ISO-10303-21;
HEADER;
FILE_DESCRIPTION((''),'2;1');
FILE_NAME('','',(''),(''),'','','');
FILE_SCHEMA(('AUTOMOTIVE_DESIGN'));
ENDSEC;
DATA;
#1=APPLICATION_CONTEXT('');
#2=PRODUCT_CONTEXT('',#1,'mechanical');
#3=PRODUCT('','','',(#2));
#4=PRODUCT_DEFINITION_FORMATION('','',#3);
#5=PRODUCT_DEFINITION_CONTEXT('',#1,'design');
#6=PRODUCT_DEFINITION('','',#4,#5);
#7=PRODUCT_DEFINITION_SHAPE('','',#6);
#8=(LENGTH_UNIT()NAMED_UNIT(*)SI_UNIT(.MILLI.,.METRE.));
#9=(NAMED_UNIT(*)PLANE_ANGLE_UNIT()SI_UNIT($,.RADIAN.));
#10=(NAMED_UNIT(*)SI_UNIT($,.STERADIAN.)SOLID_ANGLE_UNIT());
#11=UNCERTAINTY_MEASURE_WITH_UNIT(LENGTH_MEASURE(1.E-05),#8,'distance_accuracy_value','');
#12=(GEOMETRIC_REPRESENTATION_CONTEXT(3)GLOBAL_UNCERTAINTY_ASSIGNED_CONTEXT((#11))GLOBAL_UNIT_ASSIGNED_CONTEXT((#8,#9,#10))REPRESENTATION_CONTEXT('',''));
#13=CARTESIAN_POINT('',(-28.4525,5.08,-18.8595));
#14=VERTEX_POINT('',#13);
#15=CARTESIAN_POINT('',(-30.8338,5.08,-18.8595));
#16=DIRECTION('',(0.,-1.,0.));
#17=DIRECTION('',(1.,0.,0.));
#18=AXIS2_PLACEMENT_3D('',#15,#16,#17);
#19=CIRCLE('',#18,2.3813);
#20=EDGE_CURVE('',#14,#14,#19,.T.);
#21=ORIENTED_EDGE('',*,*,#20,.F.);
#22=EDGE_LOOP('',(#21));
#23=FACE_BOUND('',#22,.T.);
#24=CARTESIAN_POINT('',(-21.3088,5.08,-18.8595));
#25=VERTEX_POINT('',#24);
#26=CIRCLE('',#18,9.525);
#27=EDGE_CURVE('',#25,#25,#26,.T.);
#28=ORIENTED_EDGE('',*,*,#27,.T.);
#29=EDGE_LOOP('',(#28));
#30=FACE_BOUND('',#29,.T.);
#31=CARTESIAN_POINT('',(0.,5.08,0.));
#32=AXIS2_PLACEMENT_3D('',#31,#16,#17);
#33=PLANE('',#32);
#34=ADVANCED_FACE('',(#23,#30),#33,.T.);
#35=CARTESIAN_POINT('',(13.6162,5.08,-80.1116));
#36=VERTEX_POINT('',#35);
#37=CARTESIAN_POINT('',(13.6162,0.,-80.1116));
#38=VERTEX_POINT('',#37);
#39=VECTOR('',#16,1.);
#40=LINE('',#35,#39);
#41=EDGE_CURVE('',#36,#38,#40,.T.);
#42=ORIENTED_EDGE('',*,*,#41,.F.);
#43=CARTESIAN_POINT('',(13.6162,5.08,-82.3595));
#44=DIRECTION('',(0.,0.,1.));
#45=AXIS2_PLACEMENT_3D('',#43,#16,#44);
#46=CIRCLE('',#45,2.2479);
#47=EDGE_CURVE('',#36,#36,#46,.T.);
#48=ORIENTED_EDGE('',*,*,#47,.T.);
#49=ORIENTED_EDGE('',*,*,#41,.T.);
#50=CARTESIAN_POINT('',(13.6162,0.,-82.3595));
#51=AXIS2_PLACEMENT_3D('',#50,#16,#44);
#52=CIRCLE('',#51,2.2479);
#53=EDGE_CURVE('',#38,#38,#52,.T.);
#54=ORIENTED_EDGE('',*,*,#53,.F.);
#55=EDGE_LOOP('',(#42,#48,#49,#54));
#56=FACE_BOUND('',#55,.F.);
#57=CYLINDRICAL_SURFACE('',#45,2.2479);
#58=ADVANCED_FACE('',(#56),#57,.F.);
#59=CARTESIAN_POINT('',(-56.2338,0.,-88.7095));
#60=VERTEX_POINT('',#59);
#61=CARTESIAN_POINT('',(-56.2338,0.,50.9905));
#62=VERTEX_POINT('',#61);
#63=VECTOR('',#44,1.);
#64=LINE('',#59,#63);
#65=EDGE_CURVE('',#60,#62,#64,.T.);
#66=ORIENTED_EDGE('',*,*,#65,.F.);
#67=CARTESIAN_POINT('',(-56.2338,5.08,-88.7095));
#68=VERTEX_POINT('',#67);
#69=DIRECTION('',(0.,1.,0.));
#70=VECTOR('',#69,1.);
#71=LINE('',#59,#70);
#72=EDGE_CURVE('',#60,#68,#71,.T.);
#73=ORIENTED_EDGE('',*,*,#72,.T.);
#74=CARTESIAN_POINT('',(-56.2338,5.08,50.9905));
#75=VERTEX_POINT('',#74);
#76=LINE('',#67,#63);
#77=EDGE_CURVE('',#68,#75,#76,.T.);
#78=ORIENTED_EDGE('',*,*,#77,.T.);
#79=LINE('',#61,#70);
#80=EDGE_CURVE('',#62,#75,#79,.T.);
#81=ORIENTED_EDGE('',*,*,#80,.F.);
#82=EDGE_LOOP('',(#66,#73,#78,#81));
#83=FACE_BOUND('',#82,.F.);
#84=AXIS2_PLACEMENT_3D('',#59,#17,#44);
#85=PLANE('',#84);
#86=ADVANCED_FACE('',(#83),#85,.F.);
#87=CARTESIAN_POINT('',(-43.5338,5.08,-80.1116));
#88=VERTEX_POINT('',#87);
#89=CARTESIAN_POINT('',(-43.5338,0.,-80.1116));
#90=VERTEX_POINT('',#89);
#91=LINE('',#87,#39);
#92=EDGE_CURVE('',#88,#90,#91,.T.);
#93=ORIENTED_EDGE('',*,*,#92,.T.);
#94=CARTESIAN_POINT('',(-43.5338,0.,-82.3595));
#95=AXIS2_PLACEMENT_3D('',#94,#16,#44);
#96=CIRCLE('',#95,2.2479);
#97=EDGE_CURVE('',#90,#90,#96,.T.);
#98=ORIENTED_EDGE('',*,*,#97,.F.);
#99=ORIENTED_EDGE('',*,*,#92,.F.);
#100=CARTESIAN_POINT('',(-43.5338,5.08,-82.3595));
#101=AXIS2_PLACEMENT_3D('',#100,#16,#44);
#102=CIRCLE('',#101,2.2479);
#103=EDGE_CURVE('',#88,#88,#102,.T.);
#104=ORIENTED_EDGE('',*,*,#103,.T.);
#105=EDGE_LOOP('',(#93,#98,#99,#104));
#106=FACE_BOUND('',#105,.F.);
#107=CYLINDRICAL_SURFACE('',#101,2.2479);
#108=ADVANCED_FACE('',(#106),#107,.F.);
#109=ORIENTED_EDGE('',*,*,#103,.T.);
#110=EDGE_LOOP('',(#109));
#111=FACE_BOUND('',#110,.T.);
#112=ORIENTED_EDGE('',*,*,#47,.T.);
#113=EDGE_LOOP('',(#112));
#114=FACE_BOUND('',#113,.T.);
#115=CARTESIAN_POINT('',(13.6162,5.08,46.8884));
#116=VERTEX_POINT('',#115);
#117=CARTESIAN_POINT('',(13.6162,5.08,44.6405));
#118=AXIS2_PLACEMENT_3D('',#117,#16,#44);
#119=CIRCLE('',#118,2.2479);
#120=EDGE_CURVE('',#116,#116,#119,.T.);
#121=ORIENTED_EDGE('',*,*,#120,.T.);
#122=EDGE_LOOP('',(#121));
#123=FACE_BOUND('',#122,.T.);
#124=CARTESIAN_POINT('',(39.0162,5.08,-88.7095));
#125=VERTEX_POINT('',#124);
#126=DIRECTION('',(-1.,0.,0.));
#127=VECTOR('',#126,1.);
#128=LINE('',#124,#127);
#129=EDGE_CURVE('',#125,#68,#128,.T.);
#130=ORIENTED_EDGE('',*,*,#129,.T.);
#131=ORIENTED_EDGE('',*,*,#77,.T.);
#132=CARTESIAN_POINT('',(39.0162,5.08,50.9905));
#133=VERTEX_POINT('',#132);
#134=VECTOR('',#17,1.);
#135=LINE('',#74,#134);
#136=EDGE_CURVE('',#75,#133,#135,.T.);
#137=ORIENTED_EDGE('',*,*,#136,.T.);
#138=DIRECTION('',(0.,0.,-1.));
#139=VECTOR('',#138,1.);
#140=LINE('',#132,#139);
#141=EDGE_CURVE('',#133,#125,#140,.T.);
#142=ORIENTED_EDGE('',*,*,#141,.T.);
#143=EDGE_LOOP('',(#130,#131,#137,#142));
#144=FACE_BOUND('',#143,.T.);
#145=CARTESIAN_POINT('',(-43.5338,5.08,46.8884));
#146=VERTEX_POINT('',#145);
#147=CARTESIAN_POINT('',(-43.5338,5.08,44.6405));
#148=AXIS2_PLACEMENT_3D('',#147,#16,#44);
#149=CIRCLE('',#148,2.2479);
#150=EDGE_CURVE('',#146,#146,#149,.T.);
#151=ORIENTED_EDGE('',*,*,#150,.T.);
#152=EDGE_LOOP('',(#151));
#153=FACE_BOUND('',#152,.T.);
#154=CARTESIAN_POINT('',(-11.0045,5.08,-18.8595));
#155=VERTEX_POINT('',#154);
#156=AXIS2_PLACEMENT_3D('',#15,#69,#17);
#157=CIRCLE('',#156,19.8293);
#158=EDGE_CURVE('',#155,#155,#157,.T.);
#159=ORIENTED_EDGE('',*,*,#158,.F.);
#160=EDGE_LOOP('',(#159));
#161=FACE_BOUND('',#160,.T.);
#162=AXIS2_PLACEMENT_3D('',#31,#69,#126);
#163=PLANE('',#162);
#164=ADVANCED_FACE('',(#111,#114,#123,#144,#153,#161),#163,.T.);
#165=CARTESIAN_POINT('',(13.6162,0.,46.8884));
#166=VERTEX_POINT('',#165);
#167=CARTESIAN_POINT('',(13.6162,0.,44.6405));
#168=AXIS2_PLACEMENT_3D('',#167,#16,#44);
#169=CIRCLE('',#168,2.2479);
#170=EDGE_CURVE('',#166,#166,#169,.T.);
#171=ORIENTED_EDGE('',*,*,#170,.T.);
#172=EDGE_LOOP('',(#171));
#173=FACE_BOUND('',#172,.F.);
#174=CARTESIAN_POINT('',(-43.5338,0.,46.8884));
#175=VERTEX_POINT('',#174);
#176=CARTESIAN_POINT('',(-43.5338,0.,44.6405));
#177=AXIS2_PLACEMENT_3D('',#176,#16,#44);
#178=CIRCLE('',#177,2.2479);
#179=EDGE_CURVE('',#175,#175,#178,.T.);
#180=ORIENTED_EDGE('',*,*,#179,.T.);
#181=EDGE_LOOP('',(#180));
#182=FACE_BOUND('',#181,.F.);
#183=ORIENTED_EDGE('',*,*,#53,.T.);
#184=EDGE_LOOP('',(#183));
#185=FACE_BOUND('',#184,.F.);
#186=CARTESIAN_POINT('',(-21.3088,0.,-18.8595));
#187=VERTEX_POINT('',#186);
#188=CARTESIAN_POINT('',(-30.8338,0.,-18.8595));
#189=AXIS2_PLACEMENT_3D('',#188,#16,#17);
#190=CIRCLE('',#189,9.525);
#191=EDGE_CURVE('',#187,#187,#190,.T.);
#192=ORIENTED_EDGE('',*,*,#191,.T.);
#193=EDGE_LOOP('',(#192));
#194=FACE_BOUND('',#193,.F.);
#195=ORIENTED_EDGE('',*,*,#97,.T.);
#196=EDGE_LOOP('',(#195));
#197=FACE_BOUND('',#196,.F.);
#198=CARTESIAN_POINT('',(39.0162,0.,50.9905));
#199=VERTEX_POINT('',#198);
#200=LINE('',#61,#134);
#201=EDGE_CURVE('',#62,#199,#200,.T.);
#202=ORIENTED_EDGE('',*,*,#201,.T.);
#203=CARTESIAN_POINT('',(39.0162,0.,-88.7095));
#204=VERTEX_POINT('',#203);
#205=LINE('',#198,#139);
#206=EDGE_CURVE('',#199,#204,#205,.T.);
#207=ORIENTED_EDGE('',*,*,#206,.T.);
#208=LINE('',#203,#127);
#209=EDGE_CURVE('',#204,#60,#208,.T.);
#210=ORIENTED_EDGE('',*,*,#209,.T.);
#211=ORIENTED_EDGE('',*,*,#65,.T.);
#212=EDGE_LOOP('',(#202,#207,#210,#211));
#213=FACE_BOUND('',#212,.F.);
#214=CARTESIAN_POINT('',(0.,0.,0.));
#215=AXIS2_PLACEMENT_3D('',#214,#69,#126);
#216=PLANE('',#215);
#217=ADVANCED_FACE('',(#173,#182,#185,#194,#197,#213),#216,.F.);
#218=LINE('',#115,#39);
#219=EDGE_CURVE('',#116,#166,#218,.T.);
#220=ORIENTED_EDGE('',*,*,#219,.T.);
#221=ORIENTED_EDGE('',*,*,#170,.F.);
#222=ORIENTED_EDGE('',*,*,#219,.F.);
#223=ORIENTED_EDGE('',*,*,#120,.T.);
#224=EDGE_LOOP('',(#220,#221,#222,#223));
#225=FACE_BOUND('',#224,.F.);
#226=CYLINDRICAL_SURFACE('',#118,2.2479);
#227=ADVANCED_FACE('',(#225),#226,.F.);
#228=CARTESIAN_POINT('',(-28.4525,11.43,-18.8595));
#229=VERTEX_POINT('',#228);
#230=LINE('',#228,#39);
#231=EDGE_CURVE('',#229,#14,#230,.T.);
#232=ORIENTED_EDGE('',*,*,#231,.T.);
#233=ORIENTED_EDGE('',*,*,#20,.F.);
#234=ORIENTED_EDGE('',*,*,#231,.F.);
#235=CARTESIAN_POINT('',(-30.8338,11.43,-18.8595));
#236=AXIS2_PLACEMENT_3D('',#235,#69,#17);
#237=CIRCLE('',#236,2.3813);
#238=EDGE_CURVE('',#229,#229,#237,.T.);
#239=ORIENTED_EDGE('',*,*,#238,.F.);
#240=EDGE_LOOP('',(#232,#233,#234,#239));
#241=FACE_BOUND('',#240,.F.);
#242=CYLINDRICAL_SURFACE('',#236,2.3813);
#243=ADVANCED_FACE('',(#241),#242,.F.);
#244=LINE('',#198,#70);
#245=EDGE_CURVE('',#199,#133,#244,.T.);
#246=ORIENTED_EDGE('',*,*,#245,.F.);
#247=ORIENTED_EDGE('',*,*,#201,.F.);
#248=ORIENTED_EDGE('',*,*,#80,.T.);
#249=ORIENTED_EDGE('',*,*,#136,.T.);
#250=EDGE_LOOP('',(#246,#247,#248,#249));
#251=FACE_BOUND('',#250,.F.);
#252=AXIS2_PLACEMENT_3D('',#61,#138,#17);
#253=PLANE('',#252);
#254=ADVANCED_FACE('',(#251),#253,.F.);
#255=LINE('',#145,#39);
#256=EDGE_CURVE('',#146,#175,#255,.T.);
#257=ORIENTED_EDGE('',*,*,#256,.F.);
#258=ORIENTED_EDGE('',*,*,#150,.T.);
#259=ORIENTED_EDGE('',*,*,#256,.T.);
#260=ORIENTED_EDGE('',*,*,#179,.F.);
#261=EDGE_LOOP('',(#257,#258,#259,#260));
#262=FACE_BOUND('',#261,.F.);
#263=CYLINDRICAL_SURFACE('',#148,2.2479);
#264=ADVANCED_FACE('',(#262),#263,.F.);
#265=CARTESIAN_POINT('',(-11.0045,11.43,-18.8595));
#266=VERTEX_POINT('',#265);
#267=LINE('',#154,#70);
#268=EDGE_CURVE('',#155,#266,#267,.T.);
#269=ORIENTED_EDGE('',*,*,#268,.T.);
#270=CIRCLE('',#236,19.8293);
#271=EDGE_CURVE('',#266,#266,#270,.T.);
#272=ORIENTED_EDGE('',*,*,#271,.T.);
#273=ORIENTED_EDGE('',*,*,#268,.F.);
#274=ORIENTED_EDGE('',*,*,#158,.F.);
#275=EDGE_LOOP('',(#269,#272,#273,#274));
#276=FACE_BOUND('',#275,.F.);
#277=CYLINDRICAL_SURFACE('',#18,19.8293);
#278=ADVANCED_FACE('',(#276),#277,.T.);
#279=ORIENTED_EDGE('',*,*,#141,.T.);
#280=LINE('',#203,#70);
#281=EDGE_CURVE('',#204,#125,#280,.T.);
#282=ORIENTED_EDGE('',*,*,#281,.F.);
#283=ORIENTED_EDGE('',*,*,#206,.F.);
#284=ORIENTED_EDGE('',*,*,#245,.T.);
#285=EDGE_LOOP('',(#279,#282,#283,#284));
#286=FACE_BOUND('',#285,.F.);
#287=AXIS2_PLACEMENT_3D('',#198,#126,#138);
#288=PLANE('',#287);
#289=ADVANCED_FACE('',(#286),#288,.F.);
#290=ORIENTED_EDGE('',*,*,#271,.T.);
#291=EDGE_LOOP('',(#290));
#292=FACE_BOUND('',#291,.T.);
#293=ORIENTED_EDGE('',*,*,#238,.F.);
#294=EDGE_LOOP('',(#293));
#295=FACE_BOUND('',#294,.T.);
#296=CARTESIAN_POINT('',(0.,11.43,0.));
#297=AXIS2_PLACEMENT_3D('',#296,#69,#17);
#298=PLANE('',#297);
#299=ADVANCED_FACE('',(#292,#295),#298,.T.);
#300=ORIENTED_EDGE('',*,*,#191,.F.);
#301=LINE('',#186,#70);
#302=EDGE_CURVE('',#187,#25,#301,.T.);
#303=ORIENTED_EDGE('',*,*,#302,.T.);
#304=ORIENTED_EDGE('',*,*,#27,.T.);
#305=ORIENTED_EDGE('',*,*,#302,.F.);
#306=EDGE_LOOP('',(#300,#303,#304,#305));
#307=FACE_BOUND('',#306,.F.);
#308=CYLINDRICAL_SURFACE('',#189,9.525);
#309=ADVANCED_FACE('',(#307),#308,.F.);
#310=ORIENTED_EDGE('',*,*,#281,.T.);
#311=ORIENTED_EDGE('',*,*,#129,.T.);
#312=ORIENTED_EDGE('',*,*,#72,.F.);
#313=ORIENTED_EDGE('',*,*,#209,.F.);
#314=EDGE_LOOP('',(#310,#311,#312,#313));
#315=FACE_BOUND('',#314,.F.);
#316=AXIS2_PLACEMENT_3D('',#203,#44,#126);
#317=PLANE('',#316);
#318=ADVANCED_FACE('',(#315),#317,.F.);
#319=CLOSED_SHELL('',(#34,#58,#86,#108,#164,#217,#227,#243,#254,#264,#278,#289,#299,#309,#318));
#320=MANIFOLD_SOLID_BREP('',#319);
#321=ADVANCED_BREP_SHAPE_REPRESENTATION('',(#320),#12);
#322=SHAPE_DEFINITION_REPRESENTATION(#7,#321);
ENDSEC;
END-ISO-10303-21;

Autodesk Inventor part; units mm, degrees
ref_plane "YZ Plane" through (0, 0, 0) normal (1, 0, 0) x (0, 1, 0)
ref_plane "XZ Plane" through (0, 0, 0) normal (0, 1, 0) x (-1, 0, 0)
ref_plane "XY Plane" through (0, 0, 0) normal (0, 0, 1) x (1, 0, 0)
sketch "Sketch1" plane through (0, 0, 0) normal (0, 1, 0) x (-1, 0, 0)
  line L0 (56.2338, 50.9905) -> (-39.0162, 50.9905)
  line L1 (-39.0162, 50.9905) -> (-39.0162, -88.7095)
  line L2 (-39.0162, -88.7095) -> (56.2338, -88.7095)
  line L3 (56.2338, -88.7095) -> (56.2338, 50.9905)
  point P0 (0, 0)
  dimension "d0" = 139.7
  dimension "d1" = 95.25
extrude "Extrusion1" add sketch "Sketch1" along normal blind 5.08
sketch "Sketch2" plane through (0, 5.08, 0) normal (0, 1, 0) x (1, 0, 0)
  line L0 (-56.2338, -50.9905) -> (39.0162, -50.9905) projected
  line L1 (39.0162, 88.7095) -> (-56.2338, 88.7095) projected
  line L2 (-56.2338, 88.7095) -> (-56.2338, -50.9905) projected
  point P0 (0, 0)
  point P1 (-43.5338, -44.6405)
  point P2 (13.6162, -44.6405)
  point P3 (13.6162, 82.3595)
  point P4 (-43.5338, 82.3595)
  dimension "d4" = 0
  dimension "d5" = 6.35
  dimension "d6" = 0
  dimension "d7" = 6.35
  dimension "d8" = 0
  dimension "d9" = 0
  dimension "d10" = 12.7
  dimension "d11" = 57.15
hole "Hole1" at (-43.5338, 5.08, 44.6405) at (13.6162, 5.08, 44.6405) at (13.6162, 5.08, -82.3595) at (-43.5338, 5.08, -82.3595) direction (0, -1, 0) diameter 4.4958 end through all clearance for "Flat Head Machine Screw (82)" size "#8" standard "Ansi Unified Screw Threads"
sketch "Sketch4" plane through (0, 5.08, 0) normal (0, 1, 0) x (1, 0, 0)
  circle A0 centre (-30.8338, 18.8595) radius 19.8293
  line L0 (-56.2338, -50.9905) -> (39.0162, -50.9905) projected
  line L1 (-56.2338, 88.7095) -> (-56.2338, -50.9905) projected
  point P0 (0, 0)
  dimension "d26" = 69.85
  dimension "d27" = 25.4
extrude "Extrusion3" add sketch "Sketch4" along normal blind 6.35
sketch "Sketch5" plane through (-30.8338, 11.43, -18.8595) normal (0, 1, 0) x (1, 0, 0)
  circle A0 centre (0, 0) radius 2.3813
  point P0 (30.8338, -18.8595)
  dimension "d30" = 4.7625
extrude "Extrusion4" cut sketch "Sketch5" against normal blind 33.3375
sketch "Sketch6" plane through (0, 0, 0) normal (0, -1, 0) x (1, 0, 0)
  circle A0 centre (-30.8338, -18.8595) radius 2.3813 projected
  circle A1 centre (-30.8338, -18.8595) radius 9.525
  point P0 (0, 0)
  dimension "d33" = 19.05
extrude "Extrusion5" cut sketch "Sketch6" against normal blind 5.08
properties part number "Slider"
